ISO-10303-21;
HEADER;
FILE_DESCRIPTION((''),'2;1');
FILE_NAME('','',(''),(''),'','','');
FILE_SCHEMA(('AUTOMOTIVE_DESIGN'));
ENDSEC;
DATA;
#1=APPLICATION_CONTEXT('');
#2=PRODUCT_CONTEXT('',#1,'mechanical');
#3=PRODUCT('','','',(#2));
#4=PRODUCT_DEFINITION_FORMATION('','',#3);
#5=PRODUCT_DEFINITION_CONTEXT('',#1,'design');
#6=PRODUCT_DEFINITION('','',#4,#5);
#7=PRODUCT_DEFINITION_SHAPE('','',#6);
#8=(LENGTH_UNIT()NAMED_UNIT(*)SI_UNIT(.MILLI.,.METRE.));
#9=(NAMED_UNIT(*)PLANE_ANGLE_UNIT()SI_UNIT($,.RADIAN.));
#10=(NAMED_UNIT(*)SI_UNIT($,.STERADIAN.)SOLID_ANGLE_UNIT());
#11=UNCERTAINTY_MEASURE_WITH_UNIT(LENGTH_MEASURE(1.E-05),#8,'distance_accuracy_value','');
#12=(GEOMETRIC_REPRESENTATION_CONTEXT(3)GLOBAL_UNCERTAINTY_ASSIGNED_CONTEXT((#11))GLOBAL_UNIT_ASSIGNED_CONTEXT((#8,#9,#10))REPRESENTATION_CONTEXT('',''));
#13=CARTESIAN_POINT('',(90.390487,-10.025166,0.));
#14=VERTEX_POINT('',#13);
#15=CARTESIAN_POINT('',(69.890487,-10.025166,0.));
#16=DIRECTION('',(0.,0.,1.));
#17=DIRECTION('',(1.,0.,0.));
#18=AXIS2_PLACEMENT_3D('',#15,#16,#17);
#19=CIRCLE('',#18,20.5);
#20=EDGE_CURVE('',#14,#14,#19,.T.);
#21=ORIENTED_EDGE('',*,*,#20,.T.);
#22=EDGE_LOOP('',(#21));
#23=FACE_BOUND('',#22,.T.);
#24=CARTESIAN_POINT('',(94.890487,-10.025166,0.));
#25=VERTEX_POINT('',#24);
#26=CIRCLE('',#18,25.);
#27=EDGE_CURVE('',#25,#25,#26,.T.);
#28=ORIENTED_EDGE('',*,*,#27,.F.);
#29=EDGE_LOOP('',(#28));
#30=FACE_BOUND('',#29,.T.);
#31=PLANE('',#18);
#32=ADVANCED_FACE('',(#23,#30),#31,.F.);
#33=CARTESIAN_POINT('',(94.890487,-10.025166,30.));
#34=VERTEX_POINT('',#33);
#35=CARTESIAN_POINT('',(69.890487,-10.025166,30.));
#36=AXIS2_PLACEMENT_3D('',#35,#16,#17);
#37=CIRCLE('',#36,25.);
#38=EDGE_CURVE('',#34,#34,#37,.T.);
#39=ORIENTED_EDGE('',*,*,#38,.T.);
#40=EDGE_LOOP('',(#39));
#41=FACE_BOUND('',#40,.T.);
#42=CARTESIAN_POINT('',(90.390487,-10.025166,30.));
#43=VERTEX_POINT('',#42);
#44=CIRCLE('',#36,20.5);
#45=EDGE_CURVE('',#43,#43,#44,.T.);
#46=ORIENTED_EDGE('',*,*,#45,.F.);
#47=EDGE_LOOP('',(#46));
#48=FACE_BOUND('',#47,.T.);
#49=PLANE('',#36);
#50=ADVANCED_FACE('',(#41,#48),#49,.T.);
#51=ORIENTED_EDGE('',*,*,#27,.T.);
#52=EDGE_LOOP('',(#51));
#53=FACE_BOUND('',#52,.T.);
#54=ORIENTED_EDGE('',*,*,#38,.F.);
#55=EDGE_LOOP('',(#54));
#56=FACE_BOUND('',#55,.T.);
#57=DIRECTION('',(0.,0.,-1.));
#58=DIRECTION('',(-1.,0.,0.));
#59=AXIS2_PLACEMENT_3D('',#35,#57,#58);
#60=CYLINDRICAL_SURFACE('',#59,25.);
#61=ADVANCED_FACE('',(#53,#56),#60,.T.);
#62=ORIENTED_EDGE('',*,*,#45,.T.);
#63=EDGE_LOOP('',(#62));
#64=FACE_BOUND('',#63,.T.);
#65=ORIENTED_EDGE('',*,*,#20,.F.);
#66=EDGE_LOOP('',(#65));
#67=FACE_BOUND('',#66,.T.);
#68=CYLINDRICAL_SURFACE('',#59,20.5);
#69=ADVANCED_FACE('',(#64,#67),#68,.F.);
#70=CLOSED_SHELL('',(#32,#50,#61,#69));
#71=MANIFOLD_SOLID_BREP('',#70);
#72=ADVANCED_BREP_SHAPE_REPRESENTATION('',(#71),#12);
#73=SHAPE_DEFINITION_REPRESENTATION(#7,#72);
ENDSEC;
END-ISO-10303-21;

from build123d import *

# Parameters (mm, degrees)
SKETCH_1_R      = 25
SKETCH_1_R_2    = 20.5
EXTRUDE_1_DEPTH = 30


with BuildPart() as part:
    # 草图1 → 凸台-拉伸1 (new body)
    with BuildSketch(Plane.XY):
        with Locations((69.89048691, -10.025166497)):
            Circle(SKETCH_1_R)
        with Locations((69.89048691, -10.025166497)):
            Circle(SKETCH_1_R_2, mode=Mode.SUBTRACT)
    extrude(amount=EXTRUDE_1_DEPTH)


solid = part.part
